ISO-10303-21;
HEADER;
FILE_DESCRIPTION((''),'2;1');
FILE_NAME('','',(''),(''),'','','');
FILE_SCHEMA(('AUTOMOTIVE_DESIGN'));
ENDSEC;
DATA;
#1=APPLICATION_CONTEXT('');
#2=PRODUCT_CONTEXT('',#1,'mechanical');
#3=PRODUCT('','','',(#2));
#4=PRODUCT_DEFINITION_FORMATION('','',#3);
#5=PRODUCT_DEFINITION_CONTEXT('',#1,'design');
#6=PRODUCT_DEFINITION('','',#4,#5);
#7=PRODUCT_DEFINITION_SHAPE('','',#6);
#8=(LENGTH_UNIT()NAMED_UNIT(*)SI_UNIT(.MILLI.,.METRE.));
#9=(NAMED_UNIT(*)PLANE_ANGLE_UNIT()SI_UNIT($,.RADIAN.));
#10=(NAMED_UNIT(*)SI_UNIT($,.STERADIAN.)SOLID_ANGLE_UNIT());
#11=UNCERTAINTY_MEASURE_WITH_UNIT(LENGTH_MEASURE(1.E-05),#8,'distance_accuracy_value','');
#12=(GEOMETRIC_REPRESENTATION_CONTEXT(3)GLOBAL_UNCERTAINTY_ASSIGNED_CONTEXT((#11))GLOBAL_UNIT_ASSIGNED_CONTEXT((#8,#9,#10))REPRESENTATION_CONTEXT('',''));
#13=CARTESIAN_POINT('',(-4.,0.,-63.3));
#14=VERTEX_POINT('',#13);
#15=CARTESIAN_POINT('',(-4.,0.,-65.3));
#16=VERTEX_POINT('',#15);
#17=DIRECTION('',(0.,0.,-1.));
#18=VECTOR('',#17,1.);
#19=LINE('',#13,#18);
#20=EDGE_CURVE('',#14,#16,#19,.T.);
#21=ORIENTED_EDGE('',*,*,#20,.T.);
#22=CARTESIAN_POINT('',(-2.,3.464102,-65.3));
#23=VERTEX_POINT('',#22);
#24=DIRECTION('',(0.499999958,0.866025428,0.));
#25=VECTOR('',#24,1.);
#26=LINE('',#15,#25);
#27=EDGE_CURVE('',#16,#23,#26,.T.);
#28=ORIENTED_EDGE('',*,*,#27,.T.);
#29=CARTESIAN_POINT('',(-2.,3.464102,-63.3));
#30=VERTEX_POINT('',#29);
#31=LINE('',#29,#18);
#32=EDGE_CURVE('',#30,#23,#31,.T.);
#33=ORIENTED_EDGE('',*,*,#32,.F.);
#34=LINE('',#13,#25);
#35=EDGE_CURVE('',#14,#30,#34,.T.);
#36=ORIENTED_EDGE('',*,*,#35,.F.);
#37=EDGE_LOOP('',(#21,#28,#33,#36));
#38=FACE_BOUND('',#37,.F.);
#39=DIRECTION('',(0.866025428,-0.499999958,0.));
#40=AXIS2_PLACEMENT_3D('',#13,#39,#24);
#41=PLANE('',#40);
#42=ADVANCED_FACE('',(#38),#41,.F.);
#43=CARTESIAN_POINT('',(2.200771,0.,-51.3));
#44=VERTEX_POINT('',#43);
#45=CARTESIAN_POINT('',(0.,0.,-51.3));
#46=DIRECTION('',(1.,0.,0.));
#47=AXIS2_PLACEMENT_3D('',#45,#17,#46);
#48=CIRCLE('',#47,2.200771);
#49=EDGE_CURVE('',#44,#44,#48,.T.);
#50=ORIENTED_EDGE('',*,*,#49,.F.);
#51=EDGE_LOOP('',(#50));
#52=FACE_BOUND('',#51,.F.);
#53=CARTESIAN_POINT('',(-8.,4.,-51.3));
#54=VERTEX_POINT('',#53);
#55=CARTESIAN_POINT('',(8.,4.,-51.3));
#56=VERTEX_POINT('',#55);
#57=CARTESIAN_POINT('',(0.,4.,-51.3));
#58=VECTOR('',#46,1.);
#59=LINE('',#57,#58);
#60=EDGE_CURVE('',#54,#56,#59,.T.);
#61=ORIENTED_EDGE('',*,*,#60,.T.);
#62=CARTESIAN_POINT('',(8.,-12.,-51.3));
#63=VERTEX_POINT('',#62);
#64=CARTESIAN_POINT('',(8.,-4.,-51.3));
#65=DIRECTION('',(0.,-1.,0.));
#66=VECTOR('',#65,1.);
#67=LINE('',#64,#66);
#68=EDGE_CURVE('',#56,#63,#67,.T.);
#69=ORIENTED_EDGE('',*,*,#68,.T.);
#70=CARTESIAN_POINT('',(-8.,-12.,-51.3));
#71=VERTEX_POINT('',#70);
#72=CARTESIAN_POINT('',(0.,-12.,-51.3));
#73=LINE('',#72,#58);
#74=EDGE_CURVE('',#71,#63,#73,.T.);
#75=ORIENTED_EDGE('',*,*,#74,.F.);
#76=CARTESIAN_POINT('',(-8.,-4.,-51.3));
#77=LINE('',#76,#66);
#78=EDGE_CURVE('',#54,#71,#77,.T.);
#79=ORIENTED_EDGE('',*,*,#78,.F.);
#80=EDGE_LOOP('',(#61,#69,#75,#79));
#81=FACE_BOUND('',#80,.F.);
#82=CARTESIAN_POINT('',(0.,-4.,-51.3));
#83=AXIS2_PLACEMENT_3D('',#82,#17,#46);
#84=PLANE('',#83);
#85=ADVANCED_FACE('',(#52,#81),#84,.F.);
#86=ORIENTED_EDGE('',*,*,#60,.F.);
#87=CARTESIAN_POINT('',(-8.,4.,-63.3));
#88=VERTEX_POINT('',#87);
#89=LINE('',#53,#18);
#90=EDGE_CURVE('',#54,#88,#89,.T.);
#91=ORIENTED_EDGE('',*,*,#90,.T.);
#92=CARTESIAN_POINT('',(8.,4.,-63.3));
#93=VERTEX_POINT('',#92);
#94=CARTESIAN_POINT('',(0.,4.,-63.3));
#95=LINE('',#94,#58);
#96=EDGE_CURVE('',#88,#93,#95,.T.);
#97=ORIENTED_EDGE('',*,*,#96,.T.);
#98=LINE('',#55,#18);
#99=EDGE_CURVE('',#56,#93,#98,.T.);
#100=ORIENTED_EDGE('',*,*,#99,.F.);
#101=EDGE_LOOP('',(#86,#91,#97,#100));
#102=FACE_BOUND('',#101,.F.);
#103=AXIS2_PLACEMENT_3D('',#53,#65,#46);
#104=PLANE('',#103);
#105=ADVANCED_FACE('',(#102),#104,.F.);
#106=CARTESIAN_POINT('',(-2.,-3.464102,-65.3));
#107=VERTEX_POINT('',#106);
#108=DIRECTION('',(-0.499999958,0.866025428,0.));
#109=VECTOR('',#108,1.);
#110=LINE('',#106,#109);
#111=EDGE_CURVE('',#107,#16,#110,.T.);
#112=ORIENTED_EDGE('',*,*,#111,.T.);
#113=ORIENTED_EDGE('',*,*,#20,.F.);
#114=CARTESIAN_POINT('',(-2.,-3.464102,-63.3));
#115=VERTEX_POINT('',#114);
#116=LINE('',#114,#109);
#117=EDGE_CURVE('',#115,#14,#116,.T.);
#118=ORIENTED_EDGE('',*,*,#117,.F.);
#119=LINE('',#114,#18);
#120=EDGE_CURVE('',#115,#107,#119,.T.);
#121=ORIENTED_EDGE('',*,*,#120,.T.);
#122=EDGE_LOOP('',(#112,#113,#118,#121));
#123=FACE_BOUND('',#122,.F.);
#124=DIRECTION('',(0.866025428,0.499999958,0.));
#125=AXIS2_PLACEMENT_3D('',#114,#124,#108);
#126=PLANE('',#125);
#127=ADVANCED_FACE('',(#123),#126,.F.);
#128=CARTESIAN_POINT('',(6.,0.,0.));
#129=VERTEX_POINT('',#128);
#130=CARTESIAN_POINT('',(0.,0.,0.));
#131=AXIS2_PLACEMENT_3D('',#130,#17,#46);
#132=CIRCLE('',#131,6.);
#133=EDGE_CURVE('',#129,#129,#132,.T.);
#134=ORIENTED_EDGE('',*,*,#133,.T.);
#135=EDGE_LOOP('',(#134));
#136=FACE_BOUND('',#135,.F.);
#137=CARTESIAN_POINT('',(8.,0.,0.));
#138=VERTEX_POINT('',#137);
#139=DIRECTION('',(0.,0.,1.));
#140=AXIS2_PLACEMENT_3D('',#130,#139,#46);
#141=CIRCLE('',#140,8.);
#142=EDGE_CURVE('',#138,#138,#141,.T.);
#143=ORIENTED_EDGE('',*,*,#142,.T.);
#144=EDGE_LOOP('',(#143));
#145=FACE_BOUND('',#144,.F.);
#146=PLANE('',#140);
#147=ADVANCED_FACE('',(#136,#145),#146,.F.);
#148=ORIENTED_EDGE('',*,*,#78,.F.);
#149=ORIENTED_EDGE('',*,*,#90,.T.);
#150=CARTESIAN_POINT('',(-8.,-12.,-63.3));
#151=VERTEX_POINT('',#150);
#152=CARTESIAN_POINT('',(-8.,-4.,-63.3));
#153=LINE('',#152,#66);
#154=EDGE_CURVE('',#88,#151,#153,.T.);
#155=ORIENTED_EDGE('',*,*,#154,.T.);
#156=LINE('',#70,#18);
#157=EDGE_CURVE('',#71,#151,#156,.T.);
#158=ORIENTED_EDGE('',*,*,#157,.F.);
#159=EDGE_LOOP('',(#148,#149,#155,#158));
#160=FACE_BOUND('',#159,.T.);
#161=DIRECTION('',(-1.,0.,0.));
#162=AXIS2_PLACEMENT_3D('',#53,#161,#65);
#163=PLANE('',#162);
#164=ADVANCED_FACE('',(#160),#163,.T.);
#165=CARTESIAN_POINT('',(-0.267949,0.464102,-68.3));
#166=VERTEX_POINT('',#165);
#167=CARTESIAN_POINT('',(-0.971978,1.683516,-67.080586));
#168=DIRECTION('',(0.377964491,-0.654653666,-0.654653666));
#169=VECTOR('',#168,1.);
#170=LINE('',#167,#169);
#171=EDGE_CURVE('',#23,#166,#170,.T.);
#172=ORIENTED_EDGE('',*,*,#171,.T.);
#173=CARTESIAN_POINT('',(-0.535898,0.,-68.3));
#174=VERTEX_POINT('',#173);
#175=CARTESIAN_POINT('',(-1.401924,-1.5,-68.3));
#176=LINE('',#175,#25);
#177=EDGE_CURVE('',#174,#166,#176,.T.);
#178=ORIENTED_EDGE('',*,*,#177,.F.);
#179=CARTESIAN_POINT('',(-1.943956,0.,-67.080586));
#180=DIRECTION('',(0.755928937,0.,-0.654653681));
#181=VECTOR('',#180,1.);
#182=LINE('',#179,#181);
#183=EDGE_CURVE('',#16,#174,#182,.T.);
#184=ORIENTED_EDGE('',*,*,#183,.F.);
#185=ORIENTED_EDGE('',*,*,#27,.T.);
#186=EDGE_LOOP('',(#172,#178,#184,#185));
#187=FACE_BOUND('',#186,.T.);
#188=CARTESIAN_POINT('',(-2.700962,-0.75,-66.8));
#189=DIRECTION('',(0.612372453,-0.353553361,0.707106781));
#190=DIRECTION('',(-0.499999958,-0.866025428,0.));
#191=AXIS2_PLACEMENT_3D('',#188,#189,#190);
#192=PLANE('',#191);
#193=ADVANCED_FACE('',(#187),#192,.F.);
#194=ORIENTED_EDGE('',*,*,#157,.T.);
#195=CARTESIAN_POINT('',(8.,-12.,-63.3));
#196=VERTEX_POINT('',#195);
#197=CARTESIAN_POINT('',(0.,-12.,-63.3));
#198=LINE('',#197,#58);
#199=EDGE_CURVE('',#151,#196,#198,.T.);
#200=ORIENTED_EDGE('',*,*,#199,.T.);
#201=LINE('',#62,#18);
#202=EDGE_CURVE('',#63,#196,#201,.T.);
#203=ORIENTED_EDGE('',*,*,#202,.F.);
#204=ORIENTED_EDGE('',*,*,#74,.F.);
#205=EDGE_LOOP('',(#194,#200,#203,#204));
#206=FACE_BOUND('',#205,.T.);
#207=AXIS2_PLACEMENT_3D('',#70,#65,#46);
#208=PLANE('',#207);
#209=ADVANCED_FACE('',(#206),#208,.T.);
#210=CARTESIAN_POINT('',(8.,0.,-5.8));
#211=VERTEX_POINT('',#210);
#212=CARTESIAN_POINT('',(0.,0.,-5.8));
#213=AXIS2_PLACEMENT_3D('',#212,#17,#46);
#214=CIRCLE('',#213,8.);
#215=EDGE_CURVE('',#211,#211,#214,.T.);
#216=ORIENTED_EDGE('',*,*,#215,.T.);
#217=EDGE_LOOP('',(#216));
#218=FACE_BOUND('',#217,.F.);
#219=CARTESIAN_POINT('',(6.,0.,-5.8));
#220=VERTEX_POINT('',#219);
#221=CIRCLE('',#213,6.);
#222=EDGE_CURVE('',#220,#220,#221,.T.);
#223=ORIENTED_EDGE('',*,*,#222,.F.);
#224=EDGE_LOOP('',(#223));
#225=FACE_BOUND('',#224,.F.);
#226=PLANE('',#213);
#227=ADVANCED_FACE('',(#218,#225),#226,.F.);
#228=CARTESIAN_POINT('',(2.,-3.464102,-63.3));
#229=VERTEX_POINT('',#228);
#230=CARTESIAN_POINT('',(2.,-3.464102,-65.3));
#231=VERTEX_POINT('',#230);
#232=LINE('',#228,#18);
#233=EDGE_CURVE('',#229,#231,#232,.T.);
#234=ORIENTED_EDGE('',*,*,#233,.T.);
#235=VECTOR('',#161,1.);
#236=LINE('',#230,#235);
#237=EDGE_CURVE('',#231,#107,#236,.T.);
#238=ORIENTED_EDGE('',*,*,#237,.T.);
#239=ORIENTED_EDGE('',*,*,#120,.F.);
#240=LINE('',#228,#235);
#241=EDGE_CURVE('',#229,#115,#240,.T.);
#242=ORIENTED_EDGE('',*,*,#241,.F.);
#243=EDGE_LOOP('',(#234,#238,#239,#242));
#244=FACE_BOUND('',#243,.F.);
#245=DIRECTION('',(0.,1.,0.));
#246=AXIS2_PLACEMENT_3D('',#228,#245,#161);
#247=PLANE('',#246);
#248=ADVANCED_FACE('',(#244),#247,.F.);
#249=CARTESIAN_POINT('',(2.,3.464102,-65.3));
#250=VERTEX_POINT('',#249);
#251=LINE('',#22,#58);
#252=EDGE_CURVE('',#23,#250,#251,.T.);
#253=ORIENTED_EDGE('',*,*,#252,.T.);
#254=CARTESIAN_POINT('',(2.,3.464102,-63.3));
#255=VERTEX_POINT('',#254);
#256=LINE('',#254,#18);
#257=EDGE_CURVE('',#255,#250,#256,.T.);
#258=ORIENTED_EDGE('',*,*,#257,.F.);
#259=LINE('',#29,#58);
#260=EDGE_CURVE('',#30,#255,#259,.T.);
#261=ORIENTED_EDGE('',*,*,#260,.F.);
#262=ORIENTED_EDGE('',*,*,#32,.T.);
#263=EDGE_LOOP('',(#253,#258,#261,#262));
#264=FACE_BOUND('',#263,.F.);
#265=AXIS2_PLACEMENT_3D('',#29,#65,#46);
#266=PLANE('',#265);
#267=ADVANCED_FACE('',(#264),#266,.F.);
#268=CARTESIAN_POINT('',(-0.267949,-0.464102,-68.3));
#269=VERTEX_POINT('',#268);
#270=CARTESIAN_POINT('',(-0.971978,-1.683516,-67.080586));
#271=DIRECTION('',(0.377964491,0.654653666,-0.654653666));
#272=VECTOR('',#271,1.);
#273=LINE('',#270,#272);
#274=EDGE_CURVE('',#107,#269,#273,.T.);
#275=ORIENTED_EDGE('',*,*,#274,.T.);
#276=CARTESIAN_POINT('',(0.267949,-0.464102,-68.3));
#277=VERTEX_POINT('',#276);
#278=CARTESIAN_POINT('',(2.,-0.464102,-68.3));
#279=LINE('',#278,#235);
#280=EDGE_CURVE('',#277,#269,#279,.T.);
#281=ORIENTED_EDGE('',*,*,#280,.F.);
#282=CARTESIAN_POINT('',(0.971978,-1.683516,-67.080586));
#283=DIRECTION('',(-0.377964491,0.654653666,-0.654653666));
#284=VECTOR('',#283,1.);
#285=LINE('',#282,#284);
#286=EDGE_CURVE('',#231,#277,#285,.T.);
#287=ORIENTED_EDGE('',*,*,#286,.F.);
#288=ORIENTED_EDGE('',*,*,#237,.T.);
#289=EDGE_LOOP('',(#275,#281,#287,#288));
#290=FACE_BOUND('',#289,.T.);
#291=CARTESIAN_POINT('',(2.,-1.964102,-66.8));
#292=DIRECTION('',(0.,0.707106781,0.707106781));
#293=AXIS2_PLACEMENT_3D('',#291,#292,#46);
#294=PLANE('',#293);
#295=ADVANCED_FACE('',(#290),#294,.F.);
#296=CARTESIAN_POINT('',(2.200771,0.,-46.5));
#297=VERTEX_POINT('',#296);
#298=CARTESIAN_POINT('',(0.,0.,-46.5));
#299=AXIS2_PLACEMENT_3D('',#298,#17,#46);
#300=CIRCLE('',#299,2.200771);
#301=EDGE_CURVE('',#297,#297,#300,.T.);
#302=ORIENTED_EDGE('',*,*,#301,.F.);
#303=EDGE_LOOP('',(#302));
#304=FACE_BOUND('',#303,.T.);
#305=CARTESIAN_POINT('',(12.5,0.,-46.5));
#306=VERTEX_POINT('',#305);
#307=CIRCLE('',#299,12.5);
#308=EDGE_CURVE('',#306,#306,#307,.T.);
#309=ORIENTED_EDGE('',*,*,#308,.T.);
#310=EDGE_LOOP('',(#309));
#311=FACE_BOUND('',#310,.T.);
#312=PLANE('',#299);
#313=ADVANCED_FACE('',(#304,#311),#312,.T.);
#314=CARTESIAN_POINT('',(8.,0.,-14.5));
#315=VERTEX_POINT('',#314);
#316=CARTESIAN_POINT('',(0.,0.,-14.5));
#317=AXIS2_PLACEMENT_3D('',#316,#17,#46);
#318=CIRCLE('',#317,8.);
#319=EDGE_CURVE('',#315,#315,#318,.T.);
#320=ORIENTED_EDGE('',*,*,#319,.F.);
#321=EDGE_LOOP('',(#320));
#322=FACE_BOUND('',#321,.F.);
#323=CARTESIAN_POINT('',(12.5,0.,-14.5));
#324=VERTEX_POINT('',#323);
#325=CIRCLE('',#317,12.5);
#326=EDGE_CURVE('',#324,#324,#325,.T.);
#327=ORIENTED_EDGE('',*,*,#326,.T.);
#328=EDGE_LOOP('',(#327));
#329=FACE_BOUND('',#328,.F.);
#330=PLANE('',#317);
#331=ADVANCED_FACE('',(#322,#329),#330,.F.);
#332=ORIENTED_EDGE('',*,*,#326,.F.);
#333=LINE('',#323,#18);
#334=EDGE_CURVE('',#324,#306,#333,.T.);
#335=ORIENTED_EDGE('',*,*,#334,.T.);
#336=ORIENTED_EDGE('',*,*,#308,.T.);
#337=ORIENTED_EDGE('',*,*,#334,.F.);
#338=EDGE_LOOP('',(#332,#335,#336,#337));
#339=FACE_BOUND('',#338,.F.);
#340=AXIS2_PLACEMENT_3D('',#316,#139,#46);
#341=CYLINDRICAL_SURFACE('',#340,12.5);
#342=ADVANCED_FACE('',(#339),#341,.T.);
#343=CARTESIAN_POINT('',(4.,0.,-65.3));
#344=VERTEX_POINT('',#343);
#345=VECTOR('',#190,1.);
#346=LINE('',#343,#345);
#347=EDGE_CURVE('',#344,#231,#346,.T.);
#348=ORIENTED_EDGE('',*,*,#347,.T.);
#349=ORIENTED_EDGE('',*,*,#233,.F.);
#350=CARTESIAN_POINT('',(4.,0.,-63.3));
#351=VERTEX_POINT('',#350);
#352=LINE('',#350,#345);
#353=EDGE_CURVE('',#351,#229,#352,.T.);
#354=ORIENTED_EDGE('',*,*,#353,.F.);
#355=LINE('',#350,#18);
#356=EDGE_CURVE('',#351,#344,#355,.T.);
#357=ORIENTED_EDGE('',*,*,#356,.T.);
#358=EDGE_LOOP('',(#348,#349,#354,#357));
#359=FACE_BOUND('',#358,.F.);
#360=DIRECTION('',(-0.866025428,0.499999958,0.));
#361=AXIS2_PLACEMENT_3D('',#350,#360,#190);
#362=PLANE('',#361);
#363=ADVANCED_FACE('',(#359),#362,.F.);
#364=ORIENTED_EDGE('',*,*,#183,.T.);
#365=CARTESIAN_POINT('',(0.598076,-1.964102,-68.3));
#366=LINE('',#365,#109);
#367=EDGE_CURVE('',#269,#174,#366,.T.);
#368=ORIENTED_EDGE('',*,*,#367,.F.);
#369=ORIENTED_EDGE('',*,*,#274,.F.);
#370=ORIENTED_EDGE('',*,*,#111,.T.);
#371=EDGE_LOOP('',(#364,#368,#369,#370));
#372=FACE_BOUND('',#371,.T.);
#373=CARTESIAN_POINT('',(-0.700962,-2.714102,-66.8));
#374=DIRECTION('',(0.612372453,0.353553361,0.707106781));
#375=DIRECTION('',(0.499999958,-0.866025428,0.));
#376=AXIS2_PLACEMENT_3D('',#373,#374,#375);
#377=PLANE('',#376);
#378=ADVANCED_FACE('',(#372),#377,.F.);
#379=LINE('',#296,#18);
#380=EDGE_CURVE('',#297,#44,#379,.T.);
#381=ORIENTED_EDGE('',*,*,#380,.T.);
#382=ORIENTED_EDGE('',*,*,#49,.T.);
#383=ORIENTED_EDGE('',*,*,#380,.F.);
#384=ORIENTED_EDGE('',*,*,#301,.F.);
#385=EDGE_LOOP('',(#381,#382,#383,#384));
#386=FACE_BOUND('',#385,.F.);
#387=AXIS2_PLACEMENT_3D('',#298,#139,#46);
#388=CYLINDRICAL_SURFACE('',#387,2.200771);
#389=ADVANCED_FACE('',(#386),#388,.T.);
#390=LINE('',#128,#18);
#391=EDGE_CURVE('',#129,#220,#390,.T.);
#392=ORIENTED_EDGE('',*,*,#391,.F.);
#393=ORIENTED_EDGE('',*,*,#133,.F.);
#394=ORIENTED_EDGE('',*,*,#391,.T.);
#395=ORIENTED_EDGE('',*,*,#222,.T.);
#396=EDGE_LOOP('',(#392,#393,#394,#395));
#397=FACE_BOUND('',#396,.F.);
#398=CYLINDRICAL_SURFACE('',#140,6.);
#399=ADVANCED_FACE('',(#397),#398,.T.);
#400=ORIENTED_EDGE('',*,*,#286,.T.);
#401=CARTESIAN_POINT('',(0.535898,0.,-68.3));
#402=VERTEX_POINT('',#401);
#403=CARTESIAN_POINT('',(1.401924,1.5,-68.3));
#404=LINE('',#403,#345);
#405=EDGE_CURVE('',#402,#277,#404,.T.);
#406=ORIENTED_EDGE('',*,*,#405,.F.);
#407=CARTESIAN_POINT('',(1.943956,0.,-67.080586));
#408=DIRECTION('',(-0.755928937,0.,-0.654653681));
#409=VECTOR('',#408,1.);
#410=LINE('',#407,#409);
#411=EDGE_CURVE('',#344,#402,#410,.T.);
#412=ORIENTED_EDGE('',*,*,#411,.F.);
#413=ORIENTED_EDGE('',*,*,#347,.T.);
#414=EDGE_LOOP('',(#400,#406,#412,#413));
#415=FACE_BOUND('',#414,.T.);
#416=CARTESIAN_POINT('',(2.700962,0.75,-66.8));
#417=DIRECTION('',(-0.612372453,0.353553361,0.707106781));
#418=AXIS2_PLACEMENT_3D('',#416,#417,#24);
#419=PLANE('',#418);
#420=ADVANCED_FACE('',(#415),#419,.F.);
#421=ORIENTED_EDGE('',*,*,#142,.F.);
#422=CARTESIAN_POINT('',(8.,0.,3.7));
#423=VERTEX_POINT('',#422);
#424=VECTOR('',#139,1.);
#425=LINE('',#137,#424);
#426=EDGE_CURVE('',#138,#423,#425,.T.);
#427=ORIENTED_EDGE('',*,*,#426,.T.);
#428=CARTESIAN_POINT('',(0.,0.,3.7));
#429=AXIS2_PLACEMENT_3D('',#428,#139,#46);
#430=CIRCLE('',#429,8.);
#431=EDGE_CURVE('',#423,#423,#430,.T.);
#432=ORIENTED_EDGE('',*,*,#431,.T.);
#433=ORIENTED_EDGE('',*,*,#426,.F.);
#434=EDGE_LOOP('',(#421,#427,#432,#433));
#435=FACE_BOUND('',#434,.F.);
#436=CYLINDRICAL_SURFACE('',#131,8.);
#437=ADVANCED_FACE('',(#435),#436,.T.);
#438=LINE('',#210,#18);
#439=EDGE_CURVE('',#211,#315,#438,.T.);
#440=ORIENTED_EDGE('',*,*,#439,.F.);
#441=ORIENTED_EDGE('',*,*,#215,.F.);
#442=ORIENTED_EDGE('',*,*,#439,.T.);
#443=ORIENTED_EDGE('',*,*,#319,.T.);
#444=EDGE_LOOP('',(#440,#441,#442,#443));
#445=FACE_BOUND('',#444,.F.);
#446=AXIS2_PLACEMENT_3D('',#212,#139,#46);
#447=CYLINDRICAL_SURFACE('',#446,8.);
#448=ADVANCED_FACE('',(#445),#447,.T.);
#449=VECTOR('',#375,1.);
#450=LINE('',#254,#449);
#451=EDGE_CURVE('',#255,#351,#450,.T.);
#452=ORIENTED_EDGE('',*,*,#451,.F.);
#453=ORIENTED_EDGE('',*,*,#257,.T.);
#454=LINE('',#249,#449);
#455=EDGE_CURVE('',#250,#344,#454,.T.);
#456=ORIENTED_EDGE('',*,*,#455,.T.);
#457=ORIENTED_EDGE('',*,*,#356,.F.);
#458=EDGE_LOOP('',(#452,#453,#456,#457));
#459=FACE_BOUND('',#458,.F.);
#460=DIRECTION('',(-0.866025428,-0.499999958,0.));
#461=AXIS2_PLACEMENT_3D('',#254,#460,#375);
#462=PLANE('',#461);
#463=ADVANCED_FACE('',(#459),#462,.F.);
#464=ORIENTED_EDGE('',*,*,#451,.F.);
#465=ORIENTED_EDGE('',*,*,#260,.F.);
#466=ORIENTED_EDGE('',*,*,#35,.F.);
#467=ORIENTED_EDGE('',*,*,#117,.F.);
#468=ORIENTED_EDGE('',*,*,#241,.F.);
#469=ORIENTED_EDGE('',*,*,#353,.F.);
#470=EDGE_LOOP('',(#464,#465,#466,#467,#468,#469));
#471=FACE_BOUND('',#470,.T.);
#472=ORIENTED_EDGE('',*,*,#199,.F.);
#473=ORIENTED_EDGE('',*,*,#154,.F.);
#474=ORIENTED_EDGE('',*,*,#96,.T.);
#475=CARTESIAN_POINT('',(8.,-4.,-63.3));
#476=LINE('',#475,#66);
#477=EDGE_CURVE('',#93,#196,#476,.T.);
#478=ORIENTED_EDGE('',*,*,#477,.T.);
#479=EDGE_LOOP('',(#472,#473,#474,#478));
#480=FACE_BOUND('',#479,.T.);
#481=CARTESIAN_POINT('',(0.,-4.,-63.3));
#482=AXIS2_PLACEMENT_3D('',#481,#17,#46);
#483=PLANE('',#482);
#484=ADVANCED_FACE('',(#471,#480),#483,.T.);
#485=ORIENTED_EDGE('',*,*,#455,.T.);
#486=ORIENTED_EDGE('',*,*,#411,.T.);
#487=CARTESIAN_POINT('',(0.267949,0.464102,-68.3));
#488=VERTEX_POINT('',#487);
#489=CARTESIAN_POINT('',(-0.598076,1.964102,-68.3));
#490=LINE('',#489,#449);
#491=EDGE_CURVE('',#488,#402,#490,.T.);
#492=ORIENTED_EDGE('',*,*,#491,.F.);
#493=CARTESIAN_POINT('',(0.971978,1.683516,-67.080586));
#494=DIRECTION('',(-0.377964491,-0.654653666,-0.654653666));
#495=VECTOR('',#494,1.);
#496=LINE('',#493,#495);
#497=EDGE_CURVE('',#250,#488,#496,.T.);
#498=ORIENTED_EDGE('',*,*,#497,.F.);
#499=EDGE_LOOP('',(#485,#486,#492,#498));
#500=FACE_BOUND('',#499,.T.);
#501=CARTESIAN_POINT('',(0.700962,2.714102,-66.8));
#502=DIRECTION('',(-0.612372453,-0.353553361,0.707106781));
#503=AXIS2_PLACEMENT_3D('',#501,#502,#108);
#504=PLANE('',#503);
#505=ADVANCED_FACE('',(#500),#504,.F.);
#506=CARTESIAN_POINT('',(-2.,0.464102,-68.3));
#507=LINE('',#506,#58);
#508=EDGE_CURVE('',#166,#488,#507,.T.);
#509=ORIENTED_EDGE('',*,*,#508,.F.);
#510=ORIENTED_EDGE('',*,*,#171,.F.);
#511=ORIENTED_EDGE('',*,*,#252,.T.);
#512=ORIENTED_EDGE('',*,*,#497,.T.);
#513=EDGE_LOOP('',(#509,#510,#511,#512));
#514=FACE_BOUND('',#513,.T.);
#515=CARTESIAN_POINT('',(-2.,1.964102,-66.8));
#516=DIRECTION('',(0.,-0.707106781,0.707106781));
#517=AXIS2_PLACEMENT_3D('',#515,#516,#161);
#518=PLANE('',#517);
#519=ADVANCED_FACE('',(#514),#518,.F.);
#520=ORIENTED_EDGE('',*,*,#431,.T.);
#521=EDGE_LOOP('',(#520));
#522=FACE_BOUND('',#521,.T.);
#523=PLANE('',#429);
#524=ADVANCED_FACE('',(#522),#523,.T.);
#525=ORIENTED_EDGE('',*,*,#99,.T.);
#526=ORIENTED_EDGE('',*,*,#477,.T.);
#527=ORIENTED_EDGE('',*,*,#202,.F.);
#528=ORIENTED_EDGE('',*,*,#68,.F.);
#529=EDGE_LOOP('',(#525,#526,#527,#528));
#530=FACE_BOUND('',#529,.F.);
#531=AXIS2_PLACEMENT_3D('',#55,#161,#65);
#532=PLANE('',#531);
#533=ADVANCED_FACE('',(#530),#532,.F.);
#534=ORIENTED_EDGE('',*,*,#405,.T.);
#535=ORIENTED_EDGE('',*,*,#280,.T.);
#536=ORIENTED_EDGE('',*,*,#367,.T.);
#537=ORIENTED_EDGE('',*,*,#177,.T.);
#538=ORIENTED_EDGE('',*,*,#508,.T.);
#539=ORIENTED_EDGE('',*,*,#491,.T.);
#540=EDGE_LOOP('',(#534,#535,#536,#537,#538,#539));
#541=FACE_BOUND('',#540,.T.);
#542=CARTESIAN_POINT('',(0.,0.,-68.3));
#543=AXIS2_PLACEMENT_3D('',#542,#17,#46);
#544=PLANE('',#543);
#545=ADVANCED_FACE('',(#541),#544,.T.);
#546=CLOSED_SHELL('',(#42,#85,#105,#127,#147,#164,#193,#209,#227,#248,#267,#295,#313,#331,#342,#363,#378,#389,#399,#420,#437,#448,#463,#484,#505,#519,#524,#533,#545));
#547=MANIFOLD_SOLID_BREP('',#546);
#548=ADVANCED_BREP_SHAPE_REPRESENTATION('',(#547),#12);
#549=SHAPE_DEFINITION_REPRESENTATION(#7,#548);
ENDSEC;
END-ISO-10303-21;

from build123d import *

# Parameters (mm, degrees)
F0_R      = 8
F1_DEPTH  = 3.7
F2_R      = 6
F3_DEPTH  = 5.8
F4_R      = 8
F5_DEPTH  = 8.7
F6_R      = 12.5
F7_DEPTH  = 32
F8_R      = 2.200771
F9_DEPTH  = 4.8
F10_W     = 16
F10_H     = 16
F11_DEPTH = 12
F13_DEPTH = 5
F14_SIZE  = 3


with BuildPart() as f1:
    # F0 (on Top) → F1 (new body)
    with BuildSketch(Plane.XY):
        Circle(F0_R)
    extrude(amount=F1_DEPTH)

    # F2 (on face) → F3 (join)
    with BuildSketch(Plane(origin=(0, 0, 0), x_dir=(1, 0, 0), z_dir=(0, 0, -1))):
        Circle(F2_R)
    extrude(amount=F3_DEPTH)

    # F4 (on face) → F5 (join)
    with BuildSketch(Plane(origin=(0, 0, -5.8), x_dir=(1, 0, 0), z_dir=(0, 0, -1))):
        Circle(F4_R)
    extrude(amount=F5_DEPTH)

    # F6 (on face) → F7 (join)
    with BuildSketch(Plane(origin=(0, 0, -14.5), x_dir=(1, 0, 0), z_dir=(0, 0, -1))):
        Circle(F6_R)
    extrude(amount=F7_DEPTH)

    # F8 (on face) → F9 (join)
    with BuildSketch(Plane(origin=(0, 0, -46.5), x_dir=(1, 0, 0), z_dir=(0, 0, -1))):
        Circle(F8_R)
    extrude(amount=F9_DEPTH)

    # F10 (on face) → F11 (join)
    with BuildSketch(Plane(origin=(0, 0, -51.3), x_dir=(1, 0, 0), z_dir=(0, 0, -1))):
        with Locations((0, 4)):
            Rectangle(F10_W, F10_H)
    extrude(amount=F11_DEPTH)

    # F12 (on face) → F13 (join)
    with BuildSketch(Plane(origin=(0, 0, -63.3), x_dir=(1, 0, 0), z_dir=(0, 0, -1))):
        Polygon((2, 3.464102), (-2, 3.464102), (-4, 0), (-2, -3.464102), (2, -3.464102), (4, 0), align=None)
    extrude(amount=F13_DEPTH)

    # F14
    f14_edges = [f1.edges().sort_by_distance(p)[0] for p in [
        (0, -3.464102, -68.3),
        (-3, -1.732051, -68.3),
        (-3, 1.732051, -68.3),
        (0, 3.464102, -68.3),
        (3, 1.732051, -68.3),
        (3, -1.732051, -68.3),
    ]]
    chamfer(f14_edges, length=F14_SIZE)


solid = f1.part
